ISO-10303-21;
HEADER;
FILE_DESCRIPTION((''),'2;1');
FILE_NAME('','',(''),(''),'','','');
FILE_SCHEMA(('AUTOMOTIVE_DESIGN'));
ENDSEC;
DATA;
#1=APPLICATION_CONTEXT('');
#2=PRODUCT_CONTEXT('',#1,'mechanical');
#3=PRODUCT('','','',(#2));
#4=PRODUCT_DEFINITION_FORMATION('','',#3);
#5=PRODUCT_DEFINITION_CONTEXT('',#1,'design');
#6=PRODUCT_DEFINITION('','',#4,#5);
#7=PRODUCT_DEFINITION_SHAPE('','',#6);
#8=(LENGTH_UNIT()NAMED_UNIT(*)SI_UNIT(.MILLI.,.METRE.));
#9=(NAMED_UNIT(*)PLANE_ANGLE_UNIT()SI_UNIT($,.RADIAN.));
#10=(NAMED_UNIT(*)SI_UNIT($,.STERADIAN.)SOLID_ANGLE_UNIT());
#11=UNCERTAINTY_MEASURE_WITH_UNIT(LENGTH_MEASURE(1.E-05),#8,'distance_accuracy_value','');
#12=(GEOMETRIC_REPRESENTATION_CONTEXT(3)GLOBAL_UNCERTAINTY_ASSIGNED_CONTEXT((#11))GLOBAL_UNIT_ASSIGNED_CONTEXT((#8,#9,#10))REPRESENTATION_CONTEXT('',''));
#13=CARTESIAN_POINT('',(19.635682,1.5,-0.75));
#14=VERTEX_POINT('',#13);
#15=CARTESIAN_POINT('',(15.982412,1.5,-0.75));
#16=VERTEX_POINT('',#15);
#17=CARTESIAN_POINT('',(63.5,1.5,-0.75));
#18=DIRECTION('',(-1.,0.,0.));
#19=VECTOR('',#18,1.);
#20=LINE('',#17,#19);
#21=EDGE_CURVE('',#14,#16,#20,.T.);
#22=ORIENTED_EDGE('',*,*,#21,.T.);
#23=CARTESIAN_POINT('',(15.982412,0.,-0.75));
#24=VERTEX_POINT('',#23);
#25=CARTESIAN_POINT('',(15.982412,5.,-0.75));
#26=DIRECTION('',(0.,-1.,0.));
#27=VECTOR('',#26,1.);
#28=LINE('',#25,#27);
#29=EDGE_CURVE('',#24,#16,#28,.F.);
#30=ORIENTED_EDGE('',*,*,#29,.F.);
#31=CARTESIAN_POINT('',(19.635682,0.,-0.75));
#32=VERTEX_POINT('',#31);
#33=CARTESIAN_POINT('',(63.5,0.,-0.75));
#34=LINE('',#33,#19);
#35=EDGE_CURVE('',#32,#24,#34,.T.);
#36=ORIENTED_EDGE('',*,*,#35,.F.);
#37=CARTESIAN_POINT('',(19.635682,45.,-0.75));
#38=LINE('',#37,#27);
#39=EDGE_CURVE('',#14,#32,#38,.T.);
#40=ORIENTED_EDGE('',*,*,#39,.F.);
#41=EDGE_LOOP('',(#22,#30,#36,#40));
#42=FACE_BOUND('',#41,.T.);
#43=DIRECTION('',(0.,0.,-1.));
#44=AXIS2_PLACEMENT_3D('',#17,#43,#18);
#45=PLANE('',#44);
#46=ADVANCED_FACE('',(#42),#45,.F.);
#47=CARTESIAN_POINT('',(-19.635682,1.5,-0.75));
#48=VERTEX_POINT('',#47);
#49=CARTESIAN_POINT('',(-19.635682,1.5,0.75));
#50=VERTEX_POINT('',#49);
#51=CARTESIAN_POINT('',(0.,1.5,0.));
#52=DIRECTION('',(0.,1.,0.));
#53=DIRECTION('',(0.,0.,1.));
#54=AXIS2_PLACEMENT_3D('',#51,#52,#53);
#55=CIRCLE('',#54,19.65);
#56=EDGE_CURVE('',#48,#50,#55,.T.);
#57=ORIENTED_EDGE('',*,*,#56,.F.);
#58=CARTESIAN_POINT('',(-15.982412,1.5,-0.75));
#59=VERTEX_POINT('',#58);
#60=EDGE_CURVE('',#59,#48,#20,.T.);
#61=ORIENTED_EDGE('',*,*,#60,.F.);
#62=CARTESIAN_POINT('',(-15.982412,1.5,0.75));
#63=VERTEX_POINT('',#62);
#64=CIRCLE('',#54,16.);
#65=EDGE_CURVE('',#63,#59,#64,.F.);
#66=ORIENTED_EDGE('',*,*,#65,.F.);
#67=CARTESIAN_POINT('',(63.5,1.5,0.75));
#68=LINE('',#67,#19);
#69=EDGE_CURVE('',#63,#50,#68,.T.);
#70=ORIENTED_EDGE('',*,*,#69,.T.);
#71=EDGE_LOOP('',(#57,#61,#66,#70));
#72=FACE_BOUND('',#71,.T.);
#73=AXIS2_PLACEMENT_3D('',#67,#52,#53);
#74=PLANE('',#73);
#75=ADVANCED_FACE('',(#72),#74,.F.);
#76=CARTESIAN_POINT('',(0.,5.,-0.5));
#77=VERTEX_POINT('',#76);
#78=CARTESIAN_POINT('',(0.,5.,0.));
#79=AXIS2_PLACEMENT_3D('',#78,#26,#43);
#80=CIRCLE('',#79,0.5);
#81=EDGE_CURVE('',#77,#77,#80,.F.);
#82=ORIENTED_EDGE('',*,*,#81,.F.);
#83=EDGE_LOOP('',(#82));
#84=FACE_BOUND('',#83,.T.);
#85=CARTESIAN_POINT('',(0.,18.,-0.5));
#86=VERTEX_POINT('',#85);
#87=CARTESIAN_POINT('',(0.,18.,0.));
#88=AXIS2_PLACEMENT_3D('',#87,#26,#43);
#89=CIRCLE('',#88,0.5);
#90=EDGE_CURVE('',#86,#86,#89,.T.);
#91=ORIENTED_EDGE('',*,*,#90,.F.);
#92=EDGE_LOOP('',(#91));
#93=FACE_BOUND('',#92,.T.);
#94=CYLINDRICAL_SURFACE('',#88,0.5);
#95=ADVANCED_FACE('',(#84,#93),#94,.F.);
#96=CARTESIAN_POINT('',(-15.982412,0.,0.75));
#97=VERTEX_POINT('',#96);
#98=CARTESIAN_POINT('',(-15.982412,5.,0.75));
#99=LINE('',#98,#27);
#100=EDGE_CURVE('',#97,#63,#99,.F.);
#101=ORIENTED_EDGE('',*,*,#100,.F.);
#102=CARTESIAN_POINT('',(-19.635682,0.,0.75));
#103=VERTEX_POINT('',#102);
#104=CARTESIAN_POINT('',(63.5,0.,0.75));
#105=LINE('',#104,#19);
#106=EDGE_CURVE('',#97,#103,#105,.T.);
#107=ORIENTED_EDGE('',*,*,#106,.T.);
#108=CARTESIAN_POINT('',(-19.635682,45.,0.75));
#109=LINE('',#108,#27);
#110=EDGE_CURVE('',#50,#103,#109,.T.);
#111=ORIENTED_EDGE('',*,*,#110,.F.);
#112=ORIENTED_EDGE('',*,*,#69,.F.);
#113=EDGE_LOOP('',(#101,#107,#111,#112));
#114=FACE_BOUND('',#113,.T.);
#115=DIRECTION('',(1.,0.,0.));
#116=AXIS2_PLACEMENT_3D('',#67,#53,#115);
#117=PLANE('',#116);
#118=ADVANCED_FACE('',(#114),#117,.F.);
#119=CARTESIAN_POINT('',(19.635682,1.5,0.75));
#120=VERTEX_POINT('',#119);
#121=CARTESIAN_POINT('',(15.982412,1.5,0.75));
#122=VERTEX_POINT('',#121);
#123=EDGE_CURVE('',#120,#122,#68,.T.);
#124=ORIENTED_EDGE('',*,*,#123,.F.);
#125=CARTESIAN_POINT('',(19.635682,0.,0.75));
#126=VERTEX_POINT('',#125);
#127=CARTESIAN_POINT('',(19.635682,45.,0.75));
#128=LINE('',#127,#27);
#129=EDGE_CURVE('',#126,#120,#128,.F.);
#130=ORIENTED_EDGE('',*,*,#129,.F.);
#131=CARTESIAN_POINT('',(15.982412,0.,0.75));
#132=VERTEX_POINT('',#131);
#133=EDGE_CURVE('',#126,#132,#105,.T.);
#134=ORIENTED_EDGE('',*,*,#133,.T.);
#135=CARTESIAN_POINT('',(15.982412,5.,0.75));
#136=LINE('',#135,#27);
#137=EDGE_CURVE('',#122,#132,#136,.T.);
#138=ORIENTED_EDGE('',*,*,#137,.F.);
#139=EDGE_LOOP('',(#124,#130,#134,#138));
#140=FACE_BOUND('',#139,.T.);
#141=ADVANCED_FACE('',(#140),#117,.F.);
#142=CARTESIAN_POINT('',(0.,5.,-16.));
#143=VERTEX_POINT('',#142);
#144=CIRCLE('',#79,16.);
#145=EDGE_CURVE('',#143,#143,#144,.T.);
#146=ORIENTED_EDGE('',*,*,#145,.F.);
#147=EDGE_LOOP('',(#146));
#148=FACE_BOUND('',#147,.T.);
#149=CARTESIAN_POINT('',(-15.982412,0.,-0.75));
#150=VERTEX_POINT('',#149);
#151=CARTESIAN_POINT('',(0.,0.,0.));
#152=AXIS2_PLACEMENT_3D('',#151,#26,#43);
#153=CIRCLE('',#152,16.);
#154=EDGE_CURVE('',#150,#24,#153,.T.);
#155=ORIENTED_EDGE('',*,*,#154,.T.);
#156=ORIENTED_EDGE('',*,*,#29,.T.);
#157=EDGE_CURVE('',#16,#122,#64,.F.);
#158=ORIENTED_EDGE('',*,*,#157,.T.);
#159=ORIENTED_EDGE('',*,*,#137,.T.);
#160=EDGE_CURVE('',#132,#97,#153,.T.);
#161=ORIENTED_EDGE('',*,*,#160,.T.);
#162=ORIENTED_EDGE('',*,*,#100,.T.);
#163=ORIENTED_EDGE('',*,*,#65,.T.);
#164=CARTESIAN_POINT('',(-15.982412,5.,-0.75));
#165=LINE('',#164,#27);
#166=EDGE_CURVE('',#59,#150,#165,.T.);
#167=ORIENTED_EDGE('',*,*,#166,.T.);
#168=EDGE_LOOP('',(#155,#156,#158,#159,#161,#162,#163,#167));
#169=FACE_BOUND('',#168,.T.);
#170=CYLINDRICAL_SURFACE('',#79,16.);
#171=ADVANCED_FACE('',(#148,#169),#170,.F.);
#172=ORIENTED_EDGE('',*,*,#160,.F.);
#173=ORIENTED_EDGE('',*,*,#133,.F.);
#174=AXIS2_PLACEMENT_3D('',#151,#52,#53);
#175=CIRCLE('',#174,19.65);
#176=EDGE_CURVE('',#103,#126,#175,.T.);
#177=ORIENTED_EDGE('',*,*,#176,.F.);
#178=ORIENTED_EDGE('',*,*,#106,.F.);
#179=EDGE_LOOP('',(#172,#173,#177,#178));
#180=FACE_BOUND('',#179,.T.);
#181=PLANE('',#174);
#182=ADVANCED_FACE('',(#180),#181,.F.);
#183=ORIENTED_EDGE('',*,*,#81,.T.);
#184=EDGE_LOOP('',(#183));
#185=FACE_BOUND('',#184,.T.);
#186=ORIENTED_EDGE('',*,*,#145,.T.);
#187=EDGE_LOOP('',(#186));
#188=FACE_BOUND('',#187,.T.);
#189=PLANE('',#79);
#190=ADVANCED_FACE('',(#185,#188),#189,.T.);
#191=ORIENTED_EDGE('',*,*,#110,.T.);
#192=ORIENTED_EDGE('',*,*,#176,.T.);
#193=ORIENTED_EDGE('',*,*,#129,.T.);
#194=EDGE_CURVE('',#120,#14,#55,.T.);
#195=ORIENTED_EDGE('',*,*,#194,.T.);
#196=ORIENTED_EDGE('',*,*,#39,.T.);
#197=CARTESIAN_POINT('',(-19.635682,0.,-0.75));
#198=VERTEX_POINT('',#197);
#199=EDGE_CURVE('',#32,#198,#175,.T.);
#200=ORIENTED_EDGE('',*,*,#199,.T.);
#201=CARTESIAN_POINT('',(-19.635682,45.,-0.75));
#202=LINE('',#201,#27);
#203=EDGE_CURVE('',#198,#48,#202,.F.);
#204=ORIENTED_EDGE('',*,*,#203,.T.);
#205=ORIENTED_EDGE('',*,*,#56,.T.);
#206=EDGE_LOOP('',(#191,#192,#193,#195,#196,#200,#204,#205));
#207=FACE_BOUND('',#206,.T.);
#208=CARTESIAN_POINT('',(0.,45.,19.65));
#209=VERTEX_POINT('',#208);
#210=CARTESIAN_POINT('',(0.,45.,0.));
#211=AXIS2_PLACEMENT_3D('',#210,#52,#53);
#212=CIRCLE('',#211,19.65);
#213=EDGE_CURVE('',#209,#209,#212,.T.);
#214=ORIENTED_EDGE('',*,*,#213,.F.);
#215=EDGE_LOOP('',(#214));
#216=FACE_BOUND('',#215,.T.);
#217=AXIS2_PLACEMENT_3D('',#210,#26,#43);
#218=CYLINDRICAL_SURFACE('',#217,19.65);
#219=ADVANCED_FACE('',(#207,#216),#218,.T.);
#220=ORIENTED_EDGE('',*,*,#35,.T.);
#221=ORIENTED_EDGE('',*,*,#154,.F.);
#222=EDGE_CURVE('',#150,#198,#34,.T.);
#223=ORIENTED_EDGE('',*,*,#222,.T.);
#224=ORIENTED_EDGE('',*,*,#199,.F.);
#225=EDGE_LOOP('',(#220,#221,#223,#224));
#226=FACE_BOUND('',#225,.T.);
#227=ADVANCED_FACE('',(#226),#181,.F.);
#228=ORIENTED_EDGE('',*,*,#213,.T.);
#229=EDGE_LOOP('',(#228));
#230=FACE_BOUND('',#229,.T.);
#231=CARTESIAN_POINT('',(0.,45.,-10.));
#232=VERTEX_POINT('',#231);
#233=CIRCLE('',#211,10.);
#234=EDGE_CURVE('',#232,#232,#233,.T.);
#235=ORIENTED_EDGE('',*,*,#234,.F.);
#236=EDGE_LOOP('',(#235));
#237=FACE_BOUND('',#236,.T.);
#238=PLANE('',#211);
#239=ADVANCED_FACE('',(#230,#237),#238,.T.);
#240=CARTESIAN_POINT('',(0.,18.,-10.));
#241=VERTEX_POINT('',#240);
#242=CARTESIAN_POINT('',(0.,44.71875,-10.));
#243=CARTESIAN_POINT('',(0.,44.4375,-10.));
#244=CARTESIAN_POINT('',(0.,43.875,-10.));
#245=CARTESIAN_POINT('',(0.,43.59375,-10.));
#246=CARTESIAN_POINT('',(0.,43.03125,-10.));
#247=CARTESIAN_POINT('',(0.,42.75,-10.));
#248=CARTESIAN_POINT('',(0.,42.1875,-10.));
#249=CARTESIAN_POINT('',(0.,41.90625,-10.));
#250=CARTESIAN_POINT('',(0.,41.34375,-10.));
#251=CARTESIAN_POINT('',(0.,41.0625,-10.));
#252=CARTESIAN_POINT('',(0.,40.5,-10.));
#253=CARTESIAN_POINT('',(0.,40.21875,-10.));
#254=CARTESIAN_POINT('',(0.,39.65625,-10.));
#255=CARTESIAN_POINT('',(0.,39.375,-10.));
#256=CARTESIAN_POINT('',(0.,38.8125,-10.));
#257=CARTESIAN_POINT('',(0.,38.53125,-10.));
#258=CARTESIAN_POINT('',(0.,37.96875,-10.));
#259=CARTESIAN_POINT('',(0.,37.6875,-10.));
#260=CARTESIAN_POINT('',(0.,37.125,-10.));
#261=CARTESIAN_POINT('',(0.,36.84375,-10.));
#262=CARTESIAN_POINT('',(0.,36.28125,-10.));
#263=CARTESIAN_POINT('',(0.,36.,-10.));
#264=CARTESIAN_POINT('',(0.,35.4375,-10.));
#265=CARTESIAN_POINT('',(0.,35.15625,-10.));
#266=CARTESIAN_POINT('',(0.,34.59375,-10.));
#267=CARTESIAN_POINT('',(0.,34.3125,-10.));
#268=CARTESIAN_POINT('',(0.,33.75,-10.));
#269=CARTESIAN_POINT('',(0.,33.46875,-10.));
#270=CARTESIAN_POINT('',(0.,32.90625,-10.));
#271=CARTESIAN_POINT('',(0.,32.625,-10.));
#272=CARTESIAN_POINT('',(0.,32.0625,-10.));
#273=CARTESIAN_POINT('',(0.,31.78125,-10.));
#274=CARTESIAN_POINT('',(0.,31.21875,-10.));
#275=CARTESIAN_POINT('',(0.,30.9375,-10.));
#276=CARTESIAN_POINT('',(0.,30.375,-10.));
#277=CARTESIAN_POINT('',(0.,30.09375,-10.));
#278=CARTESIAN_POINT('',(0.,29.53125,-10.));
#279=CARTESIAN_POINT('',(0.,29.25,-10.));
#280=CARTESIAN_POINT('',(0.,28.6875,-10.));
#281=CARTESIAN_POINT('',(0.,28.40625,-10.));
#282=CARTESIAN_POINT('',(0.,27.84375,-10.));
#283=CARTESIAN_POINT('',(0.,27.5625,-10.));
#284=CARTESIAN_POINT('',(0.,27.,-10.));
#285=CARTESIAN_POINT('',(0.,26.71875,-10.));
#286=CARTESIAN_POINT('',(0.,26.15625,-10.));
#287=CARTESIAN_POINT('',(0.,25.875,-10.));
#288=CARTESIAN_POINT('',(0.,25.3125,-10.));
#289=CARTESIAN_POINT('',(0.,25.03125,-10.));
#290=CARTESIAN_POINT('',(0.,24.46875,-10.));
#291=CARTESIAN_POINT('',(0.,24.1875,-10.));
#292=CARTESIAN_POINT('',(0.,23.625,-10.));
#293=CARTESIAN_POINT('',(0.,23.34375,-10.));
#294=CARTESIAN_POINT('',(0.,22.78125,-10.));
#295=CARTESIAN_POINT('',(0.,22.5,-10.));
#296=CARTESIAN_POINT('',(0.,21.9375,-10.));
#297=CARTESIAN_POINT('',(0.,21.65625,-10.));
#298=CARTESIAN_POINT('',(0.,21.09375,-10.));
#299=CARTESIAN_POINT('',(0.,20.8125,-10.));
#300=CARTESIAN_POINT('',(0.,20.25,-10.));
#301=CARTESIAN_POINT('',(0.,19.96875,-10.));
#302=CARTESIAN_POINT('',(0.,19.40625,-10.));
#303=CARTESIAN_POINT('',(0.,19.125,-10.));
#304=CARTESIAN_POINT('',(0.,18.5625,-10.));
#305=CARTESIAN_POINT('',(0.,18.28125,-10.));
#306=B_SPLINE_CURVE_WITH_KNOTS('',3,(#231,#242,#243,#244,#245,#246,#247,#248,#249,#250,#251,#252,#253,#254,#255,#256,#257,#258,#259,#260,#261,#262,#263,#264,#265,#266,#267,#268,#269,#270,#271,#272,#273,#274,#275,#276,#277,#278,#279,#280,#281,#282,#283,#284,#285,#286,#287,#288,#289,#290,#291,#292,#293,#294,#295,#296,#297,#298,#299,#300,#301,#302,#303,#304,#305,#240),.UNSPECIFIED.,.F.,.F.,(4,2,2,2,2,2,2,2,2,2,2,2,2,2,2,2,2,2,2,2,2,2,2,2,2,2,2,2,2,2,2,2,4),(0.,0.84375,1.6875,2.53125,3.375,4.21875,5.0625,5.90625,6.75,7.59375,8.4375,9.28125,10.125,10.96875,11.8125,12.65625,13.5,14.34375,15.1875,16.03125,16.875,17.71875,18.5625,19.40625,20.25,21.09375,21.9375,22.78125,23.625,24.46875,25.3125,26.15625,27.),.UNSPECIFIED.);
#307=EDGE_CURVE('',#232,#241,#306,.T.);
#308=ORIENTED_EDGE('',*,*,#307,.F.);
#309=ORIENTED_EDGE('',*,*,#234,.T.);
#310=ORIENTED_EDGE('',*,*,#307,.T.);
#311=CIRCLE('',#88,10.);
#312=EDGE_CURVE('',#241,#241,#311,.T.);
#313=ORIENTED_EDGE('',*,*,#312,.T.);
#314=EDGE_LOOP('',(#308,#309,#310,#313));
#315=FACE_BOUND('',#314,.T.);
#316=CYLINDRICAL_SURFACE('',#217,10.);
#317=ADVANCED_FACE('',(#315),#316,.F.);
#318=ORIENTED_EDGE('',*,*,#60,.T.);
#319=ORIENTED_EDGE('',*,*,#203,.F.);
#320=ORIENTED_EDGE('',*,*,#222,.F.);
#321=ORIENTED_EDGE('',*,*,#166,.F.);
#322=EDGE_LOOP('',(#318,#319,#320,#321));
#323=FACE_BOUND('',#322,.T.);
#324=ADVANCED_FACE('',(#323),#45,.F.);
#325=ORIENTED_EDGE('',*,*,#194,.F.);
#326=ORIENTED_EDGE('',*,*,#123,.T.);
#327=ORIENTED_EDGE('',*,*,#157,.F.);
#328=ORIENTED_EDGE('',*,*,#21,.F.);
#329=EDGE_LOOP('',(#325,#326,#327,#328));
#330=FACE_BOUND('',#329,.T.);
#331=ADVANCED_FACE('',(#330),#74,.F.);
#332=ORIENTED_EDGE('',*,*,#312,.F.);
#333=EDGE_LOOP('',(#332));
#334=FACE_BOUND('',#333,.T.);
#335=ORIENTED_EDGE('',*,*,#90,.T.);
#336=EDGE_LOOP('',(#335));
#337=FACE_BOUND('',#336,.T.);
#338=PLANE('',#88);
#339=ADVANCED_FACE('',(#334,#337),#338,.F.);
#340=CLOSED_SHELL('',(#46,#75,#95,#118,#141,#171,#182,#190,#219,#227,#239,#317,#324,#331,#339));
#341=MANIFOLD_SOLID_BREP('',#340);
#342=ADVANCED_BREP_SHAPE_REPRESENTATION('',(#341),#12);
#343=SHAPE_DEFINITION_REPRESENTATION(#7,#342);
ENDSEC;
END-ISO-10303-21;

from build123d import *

# Parameters (mm, degrees)
SKETCH_1_R          = 19.65
SKETCH_1_R_2        = 10
EXTRUDE_1_DEPTH     = 45
SKETCH_2_R          = 10
SKETCH_2_R_2        = 0.5
EXTRUDE_2_DEPTH     = 18
SKETCH_3_R          = 16
CUT_EXTRUDE_1_DEPTH = 5
SKETCH_5_W          = 1.5
SKETCH_5_H          = 1.5
CUT_EXTRUDE_2_DEPTH = 63.5


with BuildPart() as part:
    # 草图1 → 凸台-拉伸1 (new body)
    with BuildSketch(Plane(origin=(0, 0, 0), x_dir=(1, 0, 0), z_dir=(0, 1, 0))):
        Circle(SKETCH_1_R)
        Circle(SKETCH_1_R_2, mode=Mode.SUBTRACT)
    extrude(amount=EXTRUDE_1_DEPTH)

    # 草图2 → 凸台-拉伸2 (add)
    with BuildSketch(Plane.XZ):
        Circle(SKETCH_2_R)
        Circle(SKETCH_2_R_2, mode=Mode.SUBTRACT)
    extrude(amount=-EXTRUDE_2_DEPTH)

    # 草图3 → 切除-拉伸1 (cut)
    with BuildSketch(Plane.XZ):
        Circle(SKETCH_3_R)
    extrude(amount=-CUT_EXTRUDE_1_DEPTH, mode=Mode.SUBTRACT)

    # 草图5 → 切除-拉伸2 (cut, symmetric)
    with BuildSketch(Plane(origin=(0, 45, 0), x_dir=(0, 0, 1), z_dir=(-1, 0, 0))):
        with Locations((0, -44.25)):
            Rectangle(SKETCH_5_W, SKETCH_5_H)
    extrude(amount=CUT_EXTRUDE_2_DEPTH, both=True, mode=Mode.SUBTRACT)


solid = part.part
